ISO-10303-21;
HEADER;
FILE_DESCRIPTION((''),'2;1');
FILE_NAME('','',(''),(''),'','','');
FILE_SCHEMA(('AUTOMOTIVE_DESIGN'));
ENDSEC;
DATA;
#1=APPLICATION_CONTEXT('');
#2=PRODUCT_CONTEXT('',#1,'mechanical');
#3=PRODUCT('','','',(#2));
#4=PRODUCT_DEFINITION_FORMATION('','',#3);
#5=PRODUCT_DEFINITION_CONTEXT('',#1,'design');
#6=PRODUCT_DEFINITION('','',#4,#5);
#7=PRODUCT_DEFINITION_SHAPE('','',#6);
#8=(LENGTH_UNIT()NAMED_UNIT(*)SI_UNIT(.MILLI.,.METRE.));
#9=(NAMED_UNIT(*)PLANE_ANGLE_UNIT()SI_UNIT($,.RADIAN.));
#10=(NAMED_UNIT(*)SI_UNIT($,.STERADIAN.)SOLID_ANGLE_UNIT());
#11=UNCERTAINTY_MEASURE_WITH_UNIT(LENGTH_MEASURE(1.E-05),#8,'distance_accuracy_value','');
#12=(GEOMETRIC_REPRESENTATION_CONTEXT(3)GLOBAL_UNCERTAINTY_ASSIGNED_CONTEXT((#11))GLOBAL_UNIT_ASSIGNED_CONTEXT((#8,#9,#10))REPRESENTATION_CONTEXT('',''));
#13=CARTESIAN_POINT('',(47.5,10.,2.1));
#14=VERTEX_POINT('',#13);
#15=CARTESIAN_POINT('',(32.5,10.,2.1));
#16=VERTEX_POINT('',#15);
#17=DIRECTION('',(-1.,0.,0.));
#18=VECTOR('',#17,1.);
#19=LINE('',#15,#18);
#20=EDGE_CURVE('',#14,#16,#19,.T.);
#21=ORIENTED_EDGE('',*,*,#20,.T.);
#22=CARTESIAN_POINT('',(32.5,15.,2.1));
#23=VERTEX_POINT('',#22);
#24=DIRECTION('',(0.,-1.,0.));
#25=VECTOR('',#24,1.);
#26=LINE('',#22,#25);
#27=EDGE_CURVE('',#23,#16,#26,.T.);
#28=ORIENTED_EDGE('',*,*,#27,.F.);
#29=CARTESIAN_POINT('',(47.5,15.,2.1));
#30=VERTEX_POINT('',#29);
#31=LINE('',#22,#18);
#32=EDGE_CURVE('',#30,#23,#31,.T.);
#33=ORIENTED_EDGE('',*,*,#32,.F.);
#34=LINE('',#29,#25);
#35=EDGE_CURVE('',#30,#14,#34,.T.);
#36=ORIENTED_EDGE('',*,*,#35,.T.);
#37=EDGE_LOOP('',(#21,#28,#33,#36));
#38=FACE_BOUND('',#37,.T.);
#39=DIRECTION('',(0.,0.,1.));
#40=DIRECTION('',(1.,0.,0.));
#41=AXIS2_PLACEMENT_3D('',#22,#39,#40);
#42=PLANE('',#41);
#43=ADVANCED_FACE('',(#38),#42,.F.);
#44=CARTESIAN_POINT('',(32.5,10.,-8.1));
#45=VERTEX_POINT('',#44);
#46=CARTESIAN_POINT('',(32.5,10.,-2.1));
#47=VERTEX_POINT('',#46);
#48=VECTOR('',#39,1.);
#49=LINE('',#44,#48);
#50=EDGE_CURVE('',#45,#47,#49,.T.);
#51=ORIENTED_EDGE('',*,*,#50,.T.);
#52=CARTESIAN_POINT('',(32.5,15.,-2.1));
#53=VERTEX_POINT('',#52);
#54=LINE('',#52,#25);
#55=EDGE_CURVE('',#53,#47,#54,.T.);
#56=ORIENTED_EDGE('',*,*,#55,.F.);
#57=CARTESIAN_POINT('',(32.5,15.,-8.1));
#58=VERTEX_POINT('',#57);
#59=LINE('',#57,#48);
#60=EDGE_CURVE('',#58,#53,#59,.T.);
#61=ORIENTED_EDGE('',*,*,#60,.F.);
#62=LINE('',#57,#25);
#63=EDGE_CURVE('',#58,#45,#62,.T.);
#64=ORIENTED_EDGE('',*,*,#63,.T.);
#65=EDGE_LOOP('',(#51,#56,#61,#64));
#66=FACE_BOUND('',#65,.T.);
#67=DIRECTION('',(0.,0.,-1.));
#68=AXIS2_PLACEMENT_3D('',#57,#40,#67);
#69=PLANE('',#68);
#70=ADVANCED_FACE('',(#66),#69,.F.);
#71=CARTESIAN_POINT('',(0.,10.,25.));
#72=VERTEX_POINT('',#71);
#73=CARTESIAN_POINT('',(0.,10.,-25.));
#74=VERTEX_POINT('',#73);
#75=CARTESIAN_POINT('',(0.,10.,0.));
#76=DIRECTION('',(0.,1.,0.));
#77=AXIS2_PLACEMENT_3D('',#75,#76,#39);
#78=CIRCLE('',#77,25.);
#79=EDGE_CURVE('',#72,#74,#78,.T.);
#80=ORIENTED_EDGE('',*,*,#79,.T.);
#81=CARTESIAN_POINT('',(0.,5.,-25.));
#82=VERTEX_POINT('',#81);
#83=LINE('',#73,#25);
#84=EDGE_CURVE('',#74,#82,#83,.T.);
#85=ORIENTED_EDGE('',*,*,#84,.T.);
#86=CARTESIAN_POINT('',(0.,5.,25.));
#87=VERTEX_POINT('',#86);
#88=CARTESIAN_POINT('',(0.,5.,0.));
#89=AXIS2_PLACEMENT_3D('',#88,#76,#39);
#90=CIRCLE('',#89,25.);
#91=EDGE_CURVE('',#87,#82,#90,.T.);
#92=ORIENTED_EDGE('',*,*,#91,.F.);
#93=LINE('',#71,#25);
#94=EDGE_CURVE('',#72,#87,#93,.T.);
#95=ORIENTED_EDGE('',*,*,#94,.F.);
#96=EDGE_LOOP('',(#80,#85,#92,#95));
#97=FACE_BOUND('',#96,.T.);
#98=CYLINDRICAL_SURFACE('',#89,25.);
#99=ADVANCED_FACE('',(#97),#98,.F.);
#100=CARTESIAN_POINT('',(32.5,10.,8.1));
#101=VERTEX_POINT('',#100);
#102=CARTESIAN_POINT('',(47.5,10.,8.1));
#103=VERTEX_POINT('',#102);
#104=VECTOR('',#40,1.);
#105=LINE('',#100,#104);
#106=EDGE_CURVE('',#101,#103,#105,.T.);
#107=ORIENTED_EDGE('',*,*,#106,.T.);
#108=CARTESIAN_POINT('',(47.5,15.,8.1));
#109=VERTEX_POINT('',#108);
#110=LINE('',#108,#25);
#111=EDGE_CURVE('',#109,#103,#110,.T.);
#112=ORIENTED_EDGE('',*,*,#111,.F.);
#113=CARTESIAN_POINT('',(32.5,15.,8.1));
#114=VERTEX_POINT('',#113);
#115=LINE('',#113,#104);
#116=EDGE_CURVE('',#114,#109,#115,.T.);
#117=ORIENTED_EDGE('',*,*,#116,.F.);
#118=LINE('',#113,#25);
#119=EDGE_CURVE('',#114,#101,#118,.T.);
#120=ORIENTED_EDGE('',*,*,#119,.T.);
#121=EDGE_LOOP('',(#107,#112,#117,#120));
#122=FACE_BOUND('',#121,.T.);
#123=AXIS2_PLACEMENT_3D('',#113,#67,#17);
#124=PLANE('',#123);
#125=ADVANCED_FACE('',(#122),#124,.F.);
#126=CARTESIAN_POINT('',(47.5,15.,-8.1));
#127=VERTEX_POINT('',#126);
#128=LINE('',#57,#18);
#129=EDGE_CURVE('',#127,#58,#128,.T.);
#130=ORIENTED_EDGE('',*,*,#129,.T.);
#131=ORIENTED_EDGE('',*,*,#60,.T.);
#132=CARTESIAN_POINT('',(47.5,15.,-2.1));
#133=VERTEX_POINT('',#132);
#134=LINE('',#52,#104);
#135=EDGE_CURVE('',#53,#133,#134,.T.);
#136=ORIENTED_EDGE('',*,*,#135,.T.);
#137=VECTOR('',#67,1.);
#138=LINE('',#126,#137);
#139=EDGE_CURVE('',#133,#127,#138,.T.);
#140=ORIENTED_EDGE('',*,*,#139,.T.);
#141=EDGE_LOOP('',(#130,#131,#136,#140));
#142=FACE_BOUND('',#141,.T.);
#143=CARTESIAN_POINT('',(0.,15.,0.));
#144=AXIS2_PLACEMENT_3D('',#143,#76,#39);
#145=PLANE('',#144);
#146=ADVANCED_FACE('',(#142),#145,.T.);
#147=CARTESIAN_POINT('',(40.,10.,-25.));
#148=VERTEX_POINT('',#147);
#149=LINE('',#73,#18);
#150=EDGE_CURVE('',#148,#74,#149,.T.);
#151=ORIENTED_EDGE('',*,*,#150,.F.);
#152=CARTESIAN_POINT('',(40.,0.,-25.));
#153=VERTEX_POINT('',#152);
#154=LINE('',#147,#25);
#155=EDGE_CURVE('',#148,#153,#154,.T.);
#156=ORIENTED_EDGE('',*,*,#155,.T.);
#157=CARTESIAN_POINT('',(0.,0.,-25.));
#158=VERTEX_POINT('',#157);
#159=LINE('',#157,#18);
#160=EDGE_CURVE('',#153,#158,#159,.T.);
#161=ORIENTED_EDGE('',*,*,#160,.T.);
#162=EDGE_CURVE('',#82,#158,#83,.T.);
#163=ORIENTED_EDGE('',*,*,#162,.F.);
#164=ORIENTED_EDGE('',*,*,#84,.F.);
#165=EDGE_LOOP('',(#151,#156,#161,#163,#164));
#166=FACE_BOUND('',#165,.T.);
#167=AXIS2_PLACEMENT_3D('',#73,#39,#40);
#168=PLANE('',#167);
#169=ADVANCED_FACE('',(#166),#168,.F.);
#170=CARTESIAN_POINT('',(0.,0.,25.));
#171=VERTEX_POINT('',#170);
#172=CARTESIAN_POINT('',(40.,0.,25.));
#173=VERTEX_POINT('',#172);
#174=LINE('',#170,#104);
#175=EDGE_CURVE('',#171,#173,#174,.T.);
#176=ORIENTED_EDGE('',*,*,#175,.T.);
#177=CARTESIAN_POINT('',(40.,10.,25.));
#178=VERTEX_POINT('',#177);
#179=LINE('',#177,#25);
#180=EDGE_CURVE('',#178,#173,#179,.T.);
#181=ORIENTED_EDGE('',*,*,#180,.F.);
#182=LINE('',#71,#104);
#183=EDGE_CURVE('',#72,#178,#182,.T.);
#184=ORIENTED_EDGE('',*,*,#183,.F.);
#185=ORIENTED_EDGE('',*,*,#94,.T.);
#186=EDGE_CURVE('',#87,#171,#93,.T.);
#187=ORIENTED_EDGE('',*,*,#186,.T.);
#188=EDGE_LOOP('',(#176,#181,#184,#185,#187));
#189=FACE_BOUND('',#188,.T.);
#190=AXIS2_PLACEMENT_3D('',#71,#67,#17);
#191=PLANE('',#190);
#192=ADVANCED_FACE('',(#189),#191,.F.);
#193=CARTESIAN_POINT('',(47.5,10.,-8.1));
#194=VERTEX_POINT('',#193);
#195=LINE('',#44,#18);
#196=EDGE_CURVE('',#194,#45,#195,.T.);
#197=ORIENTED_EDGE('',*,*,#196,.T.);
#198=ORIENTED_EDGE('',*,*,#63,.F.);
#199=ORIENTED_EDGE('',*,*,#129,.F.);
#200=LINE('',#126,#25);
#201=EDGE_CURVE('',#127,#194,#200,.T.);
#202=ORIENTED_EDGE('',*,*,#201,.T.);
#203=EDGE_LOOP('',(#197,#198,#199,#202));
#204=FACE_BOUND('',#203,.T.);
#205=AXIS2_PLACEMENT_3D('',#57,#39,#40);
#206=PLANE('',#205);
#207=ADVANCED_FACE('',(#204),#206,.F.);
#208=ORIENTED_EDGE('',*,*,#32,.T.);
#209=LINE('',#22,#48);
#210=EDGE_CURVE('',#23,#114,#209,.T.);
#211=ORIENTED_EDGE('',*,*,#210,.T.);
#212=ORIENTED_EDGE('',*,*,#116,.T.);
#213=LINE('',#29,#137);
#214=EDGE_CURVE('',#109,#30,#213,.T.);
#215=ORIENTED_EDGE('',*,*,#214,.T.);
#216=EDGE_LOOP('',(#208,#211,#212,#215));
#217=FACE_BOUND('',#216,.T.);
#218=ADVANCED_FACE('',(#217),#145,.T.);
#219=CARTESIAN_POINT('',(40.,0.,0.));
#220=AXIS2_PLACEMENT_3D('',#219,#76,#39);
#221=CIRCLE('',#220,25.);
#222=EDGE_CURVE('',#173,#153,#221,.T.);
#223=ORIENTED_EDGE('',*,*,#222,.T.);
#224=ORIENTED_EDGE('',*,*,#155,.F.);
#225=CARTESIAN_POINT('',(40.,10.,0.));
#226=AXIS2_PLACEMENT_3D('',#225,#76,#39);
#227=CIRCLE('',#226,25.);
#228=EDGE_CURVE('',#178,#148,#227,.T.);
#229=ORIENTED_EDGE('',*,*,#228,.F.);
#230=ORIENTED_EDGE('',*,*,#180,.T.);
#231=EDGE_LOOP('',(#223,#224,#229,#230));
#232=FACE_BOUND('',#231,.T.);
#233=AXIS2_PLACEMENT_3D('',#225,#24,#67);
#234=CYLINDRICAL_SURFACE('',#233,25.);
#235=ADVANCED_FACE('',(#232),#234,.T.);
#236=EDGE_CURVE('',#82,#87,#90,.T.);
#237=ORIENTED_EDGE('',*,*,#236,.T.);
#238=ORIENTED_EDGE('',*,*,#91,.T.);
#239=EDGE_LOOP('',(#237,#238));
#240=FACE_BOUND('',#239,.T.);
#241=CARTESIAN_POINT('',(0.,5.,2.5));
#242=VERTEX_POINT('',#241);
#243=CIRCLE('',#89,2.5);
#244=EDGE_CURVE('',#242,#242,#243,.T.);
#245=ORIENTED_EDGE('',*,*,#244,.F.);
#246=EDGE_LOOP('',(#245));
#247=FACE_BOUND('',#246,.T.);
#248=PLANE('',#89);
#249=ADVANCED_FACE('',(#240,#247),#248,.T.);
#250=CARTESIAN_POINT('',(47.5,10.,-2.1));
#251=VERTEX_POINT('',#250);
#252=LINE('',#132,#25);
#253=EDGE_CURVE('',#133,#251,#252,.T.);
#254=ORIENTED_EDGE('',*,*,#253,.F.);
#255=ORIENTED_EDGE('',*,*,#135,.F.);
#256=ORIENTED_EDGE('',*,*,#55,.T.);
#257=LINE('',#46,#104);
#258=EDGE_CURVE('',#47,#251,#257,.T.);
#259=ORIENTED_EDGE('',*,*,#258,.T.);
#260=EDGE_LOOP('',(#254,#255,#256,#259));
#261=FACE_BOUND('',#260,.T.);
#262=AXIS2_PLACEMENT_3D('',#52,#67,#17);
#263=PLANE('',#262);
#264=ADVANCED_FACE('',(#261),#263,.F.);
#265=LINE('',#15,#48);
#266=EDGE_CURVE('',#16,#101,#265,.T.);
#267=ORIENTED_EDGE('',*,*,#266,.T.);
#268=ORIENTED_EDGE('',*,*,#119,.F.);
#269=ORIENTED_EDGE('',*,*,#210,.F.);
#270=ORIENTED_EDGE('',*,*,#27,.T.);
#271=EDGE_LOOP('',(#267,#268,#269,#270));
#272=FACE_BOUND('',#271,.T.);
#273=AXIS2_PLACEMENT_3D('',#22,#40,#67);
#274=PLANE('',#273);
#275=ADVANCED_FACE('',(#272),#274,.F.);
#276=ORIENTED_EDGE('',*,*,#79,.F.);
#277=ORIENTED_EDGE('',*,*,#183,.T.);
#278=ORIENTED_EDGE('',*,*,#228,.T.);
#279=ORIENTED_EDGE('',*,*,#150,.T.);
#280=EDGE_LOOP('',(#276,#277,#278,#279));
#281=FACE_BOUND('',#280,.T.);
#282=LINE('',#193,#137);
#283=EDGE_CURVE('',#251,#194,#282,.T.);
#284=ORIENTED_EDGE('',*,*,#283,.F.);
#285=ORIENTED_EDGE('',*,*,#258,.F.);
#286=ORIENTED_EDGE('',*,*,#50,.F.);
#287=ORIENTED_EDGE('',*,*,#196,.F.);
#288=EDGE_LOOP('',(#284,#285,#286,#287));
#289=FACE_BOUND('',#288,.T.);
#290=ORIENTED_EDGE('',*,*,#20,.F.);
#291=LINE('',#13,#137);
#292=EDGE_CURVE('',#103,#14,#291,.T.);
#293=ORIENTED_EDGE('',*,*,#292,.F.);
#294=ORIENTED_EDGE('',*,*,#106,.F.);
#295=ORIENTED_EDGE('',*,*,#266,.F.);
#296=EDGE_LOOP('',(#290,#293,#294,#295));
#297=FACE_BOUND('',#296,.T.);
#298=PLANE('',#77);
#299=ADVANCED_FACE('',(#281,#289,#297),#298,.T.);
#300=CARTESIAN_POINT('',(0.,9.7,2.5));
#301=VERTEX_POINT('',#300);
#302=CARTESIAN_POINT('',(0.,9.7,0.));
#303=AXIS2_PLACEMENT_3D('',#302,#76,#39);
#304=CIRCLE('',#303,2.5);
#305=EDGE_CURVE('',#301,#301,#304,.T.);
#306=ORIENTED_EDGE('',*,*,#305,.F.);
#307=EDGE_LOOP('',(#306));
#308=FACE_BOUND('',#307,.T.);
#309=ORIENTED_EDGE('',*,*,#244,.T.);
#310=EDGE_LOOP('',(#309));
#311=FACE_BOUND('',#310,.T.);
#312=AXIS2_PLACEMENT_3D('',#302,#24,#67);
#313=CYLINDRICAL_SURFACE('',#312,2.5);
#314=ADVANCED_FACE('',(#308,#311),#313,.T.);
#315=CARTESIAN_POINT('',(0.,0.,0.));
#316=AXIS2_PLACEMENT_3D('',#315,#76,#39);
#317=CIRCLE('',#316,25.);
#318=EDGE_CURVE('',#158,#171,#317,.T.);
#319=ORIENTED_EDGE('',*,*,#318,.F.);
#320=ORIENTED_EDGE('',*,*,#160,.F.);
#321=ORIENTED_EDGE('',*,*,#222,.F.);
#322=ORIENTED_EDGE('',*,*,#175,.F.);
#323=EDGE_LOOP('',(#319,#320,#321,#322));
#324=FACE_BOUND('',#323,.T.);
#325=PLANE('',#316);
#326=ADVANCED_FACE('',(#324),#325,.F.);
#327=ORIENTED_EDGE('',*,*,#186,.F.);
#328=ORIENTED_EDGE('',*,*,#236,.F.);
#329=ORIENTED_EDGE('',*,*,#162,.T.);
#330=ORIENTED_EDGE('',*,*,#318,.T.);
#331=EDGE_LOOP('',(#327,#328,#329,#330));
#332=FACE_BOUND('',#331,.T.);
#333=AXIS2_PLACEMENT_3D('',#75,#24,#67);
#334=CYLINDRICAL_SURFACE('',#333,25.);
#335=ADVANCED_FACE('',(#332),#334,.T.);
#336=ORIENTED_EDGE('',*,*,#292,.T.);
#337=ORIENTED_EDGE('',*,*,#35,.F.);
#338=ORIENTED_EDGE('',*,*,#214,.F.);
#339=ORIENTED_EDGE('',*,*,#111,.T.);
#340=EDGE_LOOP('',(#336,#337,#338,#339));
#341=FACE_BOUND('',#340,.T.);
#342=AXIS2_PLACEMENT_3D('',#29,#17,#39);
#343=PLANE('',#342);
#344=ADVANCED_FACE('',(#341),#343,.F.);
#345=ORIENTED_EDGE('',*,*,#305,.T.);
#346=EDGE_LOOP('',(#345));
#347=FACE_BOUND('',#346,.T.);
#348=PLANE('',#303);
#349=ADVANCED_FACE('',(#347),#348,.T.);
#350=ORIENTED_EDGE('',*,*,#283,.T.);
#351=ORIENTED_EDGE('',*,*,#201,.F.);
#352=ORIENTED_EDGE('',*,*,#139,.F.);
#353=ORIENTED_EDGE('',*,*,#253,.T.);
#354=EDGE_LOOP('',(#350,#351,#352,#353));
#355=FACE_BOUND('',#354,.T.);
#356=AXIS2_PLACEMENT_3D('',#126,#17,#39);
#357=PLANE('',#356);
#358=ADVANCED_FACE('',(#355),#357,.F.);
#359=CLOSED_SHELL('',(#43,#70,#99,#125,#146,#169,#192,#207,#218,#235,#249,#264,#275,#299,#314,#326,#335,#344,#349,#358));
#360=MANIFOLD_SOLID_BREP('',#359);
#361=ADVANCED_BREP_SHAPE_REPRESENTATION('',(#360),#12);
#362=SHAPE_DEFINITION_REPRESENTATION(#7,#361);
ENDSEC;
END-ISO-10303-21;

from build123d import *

# Parameters (mm, degrees)
EXTRUDE_1_DEPTH     = 10
CUT_EXTRUDE_START   = -5
SKETCH_2_R          = 25
CUT_EXTRUDE_1_DEPTH = 5
SKETCH_3_R          = 2.5
EXTRUDE_2_DEPTH     = 4.7
SKETCH_4_W          = 15
SKETCH_4_H          = 6
EXTRUDE_3_DEPTH     = 5


with BuildPart() as part:
    # 草圖1 → 填料-伸長1 (new body)
    with BuildSketch(Plane(origin=(0, 0, 0), x_dir=(1, 0, 0), z_dir=(0, 1, 0))):
        with BuildLine():
            Line((0, 25), (40, 25))
            ThreePointArc((40, 25), (65, 0), (40, -25))
            Line((40, -25), (0, -25))
            ThreePointArc((0, -25), (-25, 0), (0, 25))
        make_face()
    extrude(amount=EXTRUDE_1_DEPTH)

    # 草圖2 → 除料-伸長1 (cut)
    with BuildSketch(Plane(origin=(0, 10, 0), x_dir=(1, 0, 0), z_dir=(0, 1, 0)).offset(CUT_EXTRUDE_START)):
        Circle(SKETCH_2_R)
    extrude(amount=CUT_EXTRUDE_1_DEPTH, mode=Mode.SUBTRACT)

    # 草圖3 → 填料-伸長2 (add)
    with BuildSketch(Plane(origin=(0, 5, 0), x_dir=(1, 0, 0), z_dir=(0, 1, 0))):
        with Locations(Location((0, 0, 0), (0, 0, 270))):
            Circle(SKETCH_3_R)
    extrude(amount=EXTRUDE_2_DEPTH)

    # 草圖4 → 填料-伸長3 (add)
    with BuildSketch(Plane(origin=(0, 10, 0), x_dir=(1, 0, 0), z_dir=(0, 1, 0))):
        with Locations((40, 5.1)):
            Rectangle(SKETCH_4_W, SKETCH_4_H)
        with Locations((40, -5.1)):
            Rectangle(SKETCH_4_W, SKETCH_4_H)
    extrude(amount=EXTRUDE_3_DEPTH)


solid = part.part
